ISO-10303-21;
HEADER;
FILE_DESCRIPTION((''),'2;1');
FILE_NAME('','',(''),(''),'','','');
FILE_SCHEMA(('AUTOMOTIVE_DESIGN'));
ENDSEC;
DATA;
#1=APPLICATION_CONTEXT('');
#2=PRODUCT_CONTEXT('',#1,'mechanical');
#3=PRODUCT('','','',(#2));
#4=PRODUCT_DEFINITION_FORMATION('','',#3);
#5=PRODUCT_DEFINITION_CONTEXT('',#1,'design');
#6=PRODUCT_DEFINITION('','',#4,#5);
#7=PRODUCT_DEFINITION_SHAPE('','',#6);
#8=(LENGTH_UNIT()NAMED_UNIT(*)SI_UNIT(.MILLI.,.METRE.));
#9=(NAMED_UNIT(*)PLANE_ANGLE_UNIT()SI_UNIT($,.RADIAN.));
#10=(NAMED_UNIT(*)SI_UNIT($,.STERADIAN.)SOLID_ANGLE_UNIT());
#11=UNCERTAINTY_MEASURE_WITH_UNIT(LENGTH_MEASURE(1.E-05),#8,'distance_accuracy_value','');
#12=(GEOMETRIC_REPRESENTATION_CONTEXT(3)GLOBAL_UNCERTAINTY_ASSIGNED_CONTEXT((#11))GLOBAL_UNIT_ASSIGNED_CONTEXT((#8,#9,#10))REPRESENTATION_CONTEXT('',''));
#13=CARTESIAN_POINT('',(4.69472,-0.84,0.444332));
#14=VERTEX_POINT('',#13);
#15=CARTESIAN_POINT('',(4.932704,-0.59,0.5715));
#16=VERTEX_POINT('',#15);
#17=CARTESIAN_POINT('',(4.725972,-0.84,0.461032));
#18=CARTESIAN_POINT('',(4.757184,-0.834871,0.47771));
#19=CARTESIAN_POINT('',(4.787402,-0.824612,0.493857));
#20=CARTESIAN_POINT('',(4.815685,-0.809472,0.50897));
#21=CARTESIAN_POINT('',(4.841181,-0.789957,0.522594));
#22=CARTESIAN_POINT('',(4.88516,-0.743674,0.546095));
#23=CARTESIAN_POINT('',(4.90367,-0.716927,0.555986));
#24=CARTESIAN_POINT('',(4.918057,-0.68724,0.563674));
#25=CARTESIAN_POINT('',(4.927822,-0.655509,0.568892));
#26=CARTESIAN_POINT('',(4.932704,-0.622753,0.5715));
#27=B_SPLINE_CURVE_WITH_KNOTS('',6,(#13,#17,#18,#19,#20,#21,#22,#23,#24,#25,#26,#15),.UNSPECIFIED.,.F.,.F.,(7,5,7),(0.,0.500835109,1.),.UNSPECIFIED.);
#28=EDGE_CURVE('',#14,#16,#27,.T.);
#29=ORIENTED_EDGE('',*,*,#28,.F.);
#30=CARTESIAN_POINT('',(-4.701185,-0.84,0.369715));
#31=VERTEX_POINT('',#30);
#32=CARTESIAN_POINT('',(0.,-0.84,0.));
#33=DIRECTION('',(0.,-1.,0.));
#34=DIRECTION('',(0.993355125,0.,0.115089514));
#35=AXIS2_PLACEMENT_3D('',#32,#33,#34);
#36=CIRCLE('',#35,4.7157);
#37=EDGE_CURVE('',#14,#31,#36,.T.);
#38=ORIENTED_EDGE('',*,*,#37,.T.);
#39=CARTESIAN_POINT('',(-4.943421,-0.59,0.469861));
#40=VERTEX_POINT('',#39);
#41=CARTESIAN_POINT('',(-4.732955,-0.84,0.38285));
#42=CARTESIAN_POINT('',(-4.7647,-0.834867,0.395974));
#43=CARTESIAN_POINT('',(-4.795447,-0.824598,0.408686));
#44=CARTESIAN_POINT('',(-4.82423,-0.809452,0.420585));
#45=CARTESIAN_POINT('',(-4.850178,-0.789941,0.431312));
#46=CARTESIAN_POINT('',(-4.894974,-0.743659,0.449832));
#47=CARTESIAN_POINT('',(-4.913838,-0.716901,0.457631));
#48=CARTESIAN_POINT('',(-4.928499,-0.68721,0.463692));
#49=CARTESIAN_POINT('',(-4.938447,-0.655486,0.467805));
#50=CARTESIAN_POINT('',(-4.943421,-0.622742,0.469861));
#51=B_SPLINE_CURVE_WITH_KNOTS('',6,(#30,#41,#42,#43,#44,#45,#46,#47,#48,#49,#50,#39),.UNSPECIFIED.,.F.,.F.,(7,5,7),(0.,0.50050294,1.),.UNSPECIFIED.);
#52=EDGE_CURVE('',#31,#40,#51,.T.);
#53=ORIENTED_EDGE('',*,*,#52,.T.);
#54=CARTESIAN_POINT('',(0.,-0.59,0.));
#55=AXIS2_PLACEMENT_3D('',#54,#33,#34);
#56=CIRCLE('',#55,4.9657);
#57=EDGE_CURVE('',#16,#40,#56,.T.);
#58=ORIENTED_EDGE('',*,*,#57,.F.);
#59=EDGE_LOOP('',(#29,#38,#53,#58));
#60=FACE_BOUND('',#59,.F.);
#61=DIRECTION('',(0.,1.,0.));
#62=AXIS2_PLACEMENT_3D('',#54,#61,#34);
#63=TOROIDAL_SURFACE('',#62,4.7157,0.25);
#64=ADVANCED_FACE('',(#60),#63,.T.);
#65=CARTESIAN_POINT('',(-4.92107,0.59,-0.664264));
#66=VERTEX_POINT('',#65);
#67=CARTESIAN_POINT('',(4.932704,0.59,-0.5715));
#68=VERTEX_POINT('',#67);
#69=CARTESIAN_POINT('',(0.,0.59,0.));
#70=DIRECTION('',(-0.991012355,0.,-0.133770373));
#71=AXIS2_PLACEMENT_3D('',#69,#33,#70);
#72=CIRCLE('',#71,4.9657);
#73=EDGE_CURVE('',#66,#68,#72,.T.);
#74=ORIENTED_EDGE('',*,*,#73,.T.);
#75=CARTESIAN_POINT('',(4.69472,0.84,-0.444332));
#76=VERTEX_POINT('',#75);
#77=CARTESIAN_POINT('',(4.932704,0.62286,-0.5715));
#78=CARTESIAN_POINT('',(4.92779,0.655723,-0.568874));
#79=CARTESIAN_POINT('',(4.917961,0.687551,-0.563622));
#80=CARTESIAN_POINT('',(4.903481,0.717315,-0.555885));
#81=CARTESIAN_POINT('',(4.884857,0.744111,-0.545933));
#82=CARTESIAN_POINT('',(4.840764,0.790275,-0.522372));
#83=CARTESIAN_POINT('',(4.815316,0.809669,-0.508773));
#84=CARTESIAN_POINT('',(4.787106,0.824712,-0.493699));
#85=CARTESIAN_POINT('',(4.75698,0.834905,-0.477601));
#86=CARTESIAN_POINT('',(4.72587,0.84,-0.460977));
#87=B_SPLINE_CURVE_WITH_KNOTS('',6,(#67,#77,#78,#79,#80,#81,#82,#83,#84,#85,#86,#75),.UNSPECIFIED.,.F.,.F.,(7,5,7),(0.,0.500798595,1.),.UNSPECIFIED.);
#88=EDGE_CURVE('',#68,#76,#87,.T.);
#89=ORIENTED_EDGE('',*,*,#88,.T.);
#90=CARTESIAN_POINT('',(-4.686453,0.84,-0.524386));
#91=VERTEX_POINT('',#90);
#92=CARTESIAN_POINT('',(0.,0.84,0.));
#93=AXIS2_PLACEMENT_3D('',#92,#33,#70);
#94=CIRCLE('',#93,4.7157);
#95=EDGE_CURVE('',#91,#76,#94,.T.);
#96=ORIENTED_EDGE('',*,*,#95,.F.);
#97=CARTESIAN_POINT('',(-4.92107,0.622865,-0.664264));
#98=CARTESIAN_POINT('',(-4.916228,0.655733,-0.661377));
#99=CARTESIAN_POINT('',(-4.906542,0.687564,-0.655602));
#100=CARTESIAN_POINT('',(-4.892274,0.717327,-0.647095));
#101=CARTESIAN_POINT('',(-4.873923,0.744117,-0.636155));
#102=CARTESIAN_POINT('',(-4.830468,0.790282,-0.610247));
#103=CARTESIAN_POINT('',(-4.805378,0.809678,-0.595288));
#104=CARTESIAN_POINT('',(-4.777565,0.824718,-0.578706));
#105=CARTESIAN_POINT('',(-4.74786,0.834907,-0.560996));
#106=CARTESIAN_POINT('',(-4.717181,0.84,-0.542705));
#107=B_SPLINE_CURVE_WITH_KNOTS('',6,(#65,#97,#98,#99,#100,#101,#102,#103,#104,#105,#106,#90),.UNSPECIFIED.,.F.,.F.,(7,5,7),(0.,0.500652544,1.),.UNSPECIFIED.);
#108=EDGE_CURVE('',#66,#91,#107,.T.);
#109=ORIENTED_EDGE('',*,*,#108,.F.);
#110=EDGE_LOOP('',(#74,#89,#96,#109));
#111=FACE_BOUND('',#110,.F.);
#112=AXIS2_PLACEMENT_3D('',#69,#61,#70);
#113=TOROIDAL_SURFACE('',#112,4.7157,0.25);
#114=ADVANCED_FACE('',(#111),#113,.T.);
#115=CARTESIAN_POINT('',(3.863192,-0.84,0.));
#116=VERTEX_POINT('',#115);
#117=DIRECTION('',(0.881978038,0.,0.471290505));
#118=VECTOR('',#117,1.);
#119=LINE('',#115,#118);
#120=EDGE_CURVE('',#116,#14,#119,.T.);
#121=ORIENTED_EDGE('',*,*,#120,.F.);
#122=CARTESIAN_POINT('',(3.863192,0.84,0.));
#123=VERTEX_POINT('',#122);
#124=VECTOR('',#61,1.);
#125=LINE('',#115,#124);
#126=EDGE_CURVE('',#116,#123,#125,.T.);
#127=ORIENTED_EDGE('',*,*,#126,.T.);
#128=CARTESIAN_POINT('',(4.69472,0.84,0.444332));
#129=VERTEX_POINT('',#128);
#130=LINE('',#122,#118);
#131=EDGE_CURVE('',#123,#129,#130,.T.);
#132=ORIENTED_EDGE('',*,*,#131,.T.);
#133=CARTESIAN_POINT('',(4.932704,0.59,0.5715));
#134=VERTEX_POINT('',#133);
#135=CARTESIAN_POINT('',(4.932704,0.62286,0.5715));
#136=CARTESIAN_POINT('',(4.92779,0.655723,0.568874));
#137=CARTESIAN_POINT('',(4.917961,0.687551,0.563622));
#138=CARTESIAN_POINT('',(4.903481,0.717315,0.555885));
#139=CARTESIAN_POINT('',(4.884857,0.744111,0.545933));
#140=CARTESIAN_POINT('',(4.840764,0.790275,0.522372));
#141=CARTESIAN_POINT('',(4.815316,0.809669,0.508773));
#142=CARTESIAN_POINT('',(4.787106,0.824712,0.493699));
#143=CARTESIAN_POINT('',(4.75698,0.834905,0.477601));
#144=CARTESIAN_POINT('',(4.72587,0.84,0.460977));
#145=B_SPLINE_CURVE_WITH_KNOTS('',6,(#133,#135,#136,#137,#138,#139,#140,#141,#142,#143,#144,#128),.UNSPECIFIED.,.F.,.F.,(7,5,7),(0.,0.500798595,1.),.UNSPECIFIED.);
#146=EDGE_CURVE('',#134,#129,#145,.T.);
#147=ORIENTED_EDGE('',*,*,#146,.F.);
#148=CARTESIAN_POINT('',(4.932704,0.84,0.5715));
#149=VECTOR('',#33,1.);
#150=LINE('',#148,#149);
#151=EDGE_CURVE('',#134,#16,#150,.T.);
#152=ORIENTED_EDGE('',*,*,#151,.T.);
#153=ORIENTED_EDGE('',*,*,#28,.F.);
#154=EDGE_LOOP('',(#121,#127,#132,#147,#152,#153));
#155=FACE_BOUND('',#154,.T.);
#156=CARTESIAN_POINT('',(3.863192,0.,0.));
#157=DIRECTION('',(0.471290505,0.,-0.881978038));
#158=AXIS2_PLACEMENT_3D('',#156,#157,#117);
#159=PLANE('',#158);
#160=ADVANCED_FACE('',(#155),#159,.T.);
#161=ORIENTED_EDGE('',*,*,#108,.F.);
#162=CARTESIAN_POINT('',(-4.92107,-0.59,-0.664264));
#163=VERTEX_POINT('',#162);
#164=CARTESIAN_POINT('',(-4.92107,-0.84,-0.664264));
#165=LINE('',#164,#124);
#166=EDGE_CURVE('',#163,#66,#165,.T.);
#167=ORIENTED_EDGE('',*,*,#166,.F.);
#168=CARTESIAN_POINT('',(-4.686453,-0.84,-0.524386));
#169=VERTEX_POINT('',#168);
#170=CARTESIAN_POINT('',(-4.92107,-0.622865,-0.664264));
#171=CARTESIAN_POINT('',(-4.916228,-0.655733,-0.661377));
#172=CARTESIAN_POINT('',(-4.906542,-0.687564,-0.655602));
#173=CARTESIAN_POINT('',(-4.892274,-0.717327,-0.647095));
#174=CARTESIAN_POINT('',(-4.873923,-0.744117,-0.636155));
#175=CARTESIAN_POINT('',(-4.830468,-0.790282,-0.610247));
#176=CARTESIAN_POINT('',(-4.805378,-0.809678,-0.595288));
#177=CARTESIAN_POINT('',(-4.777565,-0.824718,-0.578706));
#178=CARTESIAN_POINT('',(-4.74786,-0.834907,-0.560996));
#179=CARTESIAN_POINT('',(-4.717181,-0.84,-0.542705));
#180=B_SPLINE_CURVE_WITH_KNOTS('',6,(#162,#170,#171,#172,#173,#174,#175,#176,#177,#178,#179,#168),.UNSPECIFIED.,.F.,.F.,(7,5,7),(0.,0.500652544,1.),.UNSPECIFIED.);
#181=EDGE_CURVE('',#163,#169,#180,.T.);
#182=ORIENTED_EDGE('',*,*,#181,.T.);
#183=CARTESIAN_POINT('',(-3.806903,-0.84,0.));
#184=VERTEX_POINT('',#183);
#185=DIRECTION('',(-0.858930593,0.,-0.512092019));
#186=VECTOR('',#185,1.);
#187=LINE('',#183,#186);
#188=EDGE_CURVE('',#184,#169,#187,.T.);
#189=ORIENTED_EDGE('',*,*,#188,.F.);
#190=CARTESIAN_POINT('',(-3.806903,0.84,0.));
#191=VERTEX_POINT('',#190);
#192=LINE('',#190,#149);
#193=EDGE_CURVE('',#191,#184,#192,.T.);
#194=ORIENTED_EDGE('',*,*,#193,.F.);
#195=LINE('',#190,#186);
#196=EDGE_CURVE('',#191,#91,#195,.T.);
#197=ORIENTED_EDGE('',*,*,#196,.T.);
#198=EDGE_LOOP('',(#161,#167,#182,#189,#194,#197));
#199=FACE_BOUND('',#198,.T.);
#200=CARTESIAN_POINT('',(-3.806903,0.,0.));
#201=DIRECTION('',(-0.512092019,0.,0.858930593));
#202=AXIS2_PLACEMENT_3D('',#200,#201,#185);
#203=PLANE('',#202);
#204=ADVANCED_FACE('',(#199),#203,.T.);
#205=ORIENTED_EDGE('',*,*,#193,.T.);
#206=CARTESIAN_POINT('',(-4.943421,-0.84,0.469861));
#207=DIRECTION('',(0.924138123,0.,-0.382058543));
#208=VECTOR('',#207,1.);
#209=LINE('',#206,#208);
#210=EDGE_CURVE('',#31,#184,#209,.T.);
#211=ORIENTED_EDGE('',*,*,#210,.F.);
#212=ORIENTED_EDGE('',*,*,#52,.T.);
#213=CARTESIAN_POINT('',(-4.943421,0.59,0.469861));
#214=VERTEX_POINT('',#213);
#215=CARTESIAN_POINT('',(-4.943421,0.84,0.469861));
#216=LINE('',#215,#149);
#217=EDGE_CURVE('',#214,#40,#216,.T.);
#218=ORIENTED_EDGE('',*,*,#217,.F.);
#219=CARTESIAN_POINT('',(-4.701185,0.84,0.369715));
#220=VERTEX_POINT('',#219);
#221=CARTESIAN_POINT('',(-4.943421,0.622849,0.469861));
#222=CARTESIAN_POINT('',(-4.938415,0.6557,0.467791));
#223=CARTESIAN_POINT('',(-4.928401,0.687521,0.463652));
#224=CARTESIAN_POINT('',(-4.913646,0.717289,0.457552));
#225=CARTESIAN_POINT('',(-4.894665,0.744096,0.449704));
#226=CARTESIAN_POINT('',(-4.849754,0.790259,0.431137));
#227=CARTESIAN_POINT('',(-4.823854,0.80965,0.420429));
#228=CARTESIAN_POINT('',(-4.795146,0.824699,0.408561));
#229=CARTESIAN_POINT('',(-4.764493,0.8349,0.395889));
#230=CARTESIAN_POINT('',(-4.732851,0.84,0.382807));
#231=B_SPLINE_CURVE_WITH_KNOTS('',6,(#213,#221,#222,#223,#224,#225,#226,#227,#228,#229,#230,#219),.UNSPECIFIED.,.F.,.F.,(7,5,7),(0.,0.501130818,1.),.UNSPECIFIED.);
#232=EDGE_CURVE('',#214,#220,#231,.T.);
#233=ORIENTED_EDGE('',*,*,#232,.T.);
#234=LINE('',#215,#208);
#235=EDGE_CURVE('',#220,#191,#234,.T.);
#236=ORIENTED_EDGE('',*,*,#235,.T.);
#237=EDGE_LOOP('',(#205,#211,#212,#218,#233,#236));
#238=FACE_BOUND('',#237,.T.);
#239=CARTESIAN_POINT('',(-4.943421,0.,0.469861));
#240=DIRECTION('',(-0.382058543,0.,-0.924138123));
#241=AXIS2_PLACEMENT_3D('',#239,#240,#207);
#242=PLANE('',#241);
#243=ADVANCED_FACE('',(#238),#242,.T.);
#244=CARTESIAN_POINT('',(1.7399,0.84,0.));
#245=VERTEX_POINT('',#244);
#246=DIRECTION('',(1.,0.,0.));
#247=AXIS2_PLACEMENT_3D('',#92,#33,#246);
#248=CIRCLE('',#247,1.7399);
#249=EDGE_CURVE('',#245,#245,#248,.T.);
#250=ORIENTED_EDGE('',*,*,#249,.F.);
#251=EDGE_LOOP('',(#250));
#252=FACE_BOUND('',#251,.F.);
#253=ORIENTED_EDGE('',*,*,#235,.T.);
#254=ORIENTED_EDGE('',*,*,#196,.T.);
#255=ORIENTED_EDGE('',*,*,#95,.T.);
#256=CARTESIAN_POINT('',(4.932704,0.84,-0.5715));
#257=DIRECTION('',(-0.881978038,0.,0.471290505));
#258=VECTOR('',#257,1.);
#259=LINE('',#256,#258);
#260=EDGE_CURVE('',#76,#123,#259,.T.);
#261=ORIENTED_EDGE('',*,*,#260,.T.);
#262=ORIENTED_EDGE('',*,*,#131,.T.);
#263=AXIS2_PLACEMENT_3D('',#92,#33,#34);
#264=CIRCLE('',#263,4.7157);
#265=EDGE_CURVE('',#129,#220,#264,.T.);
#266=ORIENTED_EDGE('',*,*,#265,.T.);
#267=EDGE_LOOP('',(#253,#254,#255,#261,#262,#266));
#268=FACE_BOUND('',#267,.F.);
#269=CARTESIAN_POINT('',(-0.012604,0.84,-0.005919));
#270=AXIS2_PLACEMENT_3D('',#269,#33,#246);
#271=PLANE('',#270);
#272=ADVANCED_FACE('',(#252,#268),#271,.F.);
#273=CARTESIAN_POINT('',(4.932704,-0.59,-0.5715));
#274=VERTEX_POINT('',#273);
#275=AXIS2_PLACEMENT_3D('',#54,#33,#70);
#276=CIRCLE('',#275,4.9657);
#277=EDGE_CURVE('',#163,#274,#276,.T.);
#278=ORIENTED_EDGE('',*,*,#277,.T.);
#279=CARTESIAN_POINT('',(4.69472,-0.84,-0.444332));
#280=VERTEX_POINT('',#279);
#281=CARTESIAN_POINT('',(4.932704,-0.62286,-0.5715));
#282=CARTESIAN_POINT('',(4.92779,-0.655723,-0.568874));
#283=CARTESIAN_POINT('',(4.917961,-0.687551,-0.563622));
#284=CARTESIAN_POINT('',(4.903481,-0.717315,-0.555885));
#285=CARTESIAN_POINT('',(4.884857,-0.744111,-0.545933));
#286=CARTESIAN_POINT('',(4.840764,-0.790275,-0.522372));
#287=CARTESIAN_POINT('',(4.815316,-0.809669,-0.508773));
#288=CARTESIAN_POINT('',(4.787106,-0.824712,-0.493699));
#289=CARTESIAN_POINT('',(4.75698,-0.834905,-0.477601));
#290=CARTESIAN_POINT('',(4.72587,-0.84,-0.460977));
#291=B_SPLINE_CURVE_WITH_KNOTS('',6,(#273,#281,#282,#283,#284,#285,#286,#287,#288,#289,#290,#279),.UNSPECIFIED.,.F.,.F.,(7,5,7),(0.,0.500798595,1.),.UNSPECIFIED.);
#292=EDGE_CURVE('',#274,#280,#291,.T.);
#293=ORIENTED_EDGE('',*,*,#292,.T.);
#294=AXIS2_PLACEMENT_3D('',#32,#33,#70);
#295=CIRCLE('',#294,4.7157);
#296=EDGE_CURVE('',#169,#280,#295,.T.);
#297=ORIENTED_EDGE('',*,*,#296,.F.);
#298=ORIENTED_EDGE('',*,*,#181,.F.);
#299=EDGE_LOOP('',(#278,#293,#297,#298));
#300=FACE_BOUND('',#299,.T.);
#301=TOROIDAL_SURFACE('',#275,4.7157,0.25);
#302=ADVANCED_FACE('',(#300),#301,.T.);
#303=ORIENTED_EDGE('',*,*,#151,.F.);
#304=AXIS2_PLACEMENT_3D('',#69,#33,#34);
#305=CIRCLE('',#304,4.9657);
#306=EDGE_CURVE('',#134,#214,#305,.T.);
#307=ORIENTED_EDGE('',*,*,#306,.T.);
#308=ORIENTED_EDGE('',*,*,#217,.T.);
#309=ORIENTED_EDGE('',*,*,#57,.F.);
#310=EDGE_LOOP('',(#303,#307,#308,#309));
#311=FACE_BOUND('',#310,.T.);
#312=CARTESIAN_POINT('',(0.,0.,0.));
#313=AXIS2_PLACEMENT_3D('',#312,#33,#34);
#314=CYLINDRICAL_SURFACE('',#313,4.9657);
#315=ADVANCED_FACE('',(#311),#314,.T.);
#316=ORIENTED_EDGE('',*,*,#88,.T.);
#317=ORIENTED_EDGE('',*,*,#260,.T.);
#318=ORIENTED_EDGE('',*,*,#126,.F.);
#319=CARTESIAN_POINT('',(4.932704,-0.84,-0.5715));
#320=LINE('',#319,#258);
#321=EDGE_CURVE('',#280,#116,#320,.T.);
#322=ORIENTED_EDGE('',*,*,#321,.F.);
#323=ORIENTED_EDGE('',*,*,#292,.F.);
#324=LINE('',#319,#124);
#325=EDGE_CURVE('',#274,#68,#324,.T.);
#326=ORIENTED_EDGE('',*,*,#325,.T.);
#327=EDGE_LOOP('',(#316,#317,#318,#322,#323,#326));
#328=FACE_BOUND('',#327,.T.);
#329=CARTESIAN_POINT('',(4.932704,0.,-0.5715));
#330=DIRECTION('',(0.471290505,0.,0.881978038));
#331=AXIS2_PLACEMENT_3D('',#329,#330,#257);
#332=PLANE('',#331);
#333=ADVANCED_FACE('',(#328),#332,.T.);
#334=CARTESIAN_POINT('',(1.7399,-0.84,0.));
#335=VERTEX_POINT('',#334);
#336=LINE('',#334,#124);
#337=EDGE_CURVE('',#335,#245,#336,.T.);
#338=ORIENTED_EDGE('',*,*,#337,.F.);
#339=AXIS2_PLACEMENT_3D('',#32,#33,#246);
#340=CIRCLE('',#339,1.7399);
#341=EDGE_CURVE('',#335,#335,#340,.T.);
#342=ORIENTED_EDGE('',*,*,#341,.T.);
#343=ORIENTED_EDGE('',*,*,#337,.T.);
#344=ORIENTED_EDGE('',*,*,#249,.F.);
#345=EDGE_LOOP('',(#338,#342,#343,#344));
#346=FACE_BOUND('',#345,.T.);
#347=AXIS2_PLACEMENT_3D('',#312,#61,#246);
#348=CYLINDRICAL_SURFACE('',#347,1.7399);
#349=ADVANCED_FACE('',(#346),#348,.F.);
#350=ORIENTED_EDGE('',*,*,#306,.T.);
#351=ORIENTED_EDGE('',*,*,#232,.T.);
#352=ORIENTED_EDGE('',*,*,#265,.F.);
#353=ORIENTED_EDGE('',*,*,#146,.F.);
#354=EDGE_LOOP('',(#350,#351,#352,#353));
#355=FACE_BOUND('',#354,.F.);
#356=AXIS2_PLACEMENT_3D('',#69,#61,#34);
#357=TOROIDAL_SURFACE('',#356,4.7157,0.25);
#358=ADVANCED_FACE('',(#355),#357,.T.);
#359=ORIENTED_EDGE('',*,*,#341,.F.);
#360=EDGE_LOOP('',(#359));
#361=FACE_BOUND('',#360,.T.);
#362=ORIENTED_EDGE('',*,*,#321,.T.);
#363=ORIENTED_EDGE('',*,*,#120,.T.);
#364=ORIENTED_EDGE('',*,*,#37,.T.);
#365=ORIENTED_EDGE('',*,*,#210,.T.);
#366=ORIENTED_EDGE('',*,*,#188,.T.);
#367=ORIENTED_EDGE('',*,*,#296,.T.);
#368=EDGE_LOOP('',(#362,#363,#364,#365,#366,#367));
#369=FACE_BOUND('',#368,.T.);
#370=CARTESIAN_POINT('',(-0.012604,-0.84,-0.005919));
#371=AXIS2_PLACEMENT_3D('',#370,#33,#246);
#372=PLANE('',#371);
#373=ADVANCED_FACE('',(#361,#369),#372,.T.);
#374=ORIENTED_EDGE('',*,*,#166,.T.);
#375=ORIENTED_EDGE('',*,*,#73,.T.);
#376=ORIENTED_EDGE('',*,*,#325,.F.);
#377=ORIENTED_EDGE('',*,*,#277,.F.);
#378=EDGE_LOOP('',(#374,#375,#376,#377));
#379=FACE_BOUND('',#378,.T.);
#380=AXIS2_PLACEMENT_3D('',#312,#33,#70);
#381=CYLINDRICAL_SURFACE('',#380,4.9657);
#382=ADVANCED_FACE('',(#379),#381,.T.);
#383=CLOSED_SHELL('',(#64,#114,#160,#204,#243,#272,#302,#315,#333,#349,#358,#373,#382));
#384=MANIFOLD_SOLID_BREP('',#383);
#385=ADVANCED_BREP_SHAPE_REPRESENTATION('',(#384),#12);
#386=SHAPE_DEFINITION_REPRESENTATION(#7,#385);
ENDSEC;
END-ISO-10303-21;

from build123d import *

# Parameters (mm, degrees)
F0_R     = 1.7399
F1_DEPTH = 0.84
F2_R     = 0.25


with BuildPart() as f1:
    # F0 (on Front) → F1 (new body, symmetric)
    with BuildSketch(Plane.XZ):
        with BuildLine():
            Line((3.8631923962, 0), (4.9327035427, 0.5715))
            ThreePointArc((4.9327035427, 0.5715), (-0.0511012475, 4.9654370555), (-4.9434205941, 0.4698609583))
            Line((-4.9434205941, 0.4698609583), (-3.8069025613, 0))
            Line((-3.8069025613, 0), (-4.9210700498, -0.6642635433))
            ThreePointArc((-4.9210700498, -0.6642635433), (0.0467450883, -4.9654799755), (4.9327035427, -0.5715))
            Line((4.9327035427, -0.5715), (3.8631923962, 0))
        make_face()
        Circle(F0_R, mode=Mode.SUBTRACT)
    extrude(amount=F1_DEPTH, both=True)

    # F2
    f2_edges = [f1.edges().sort_by_distance(p)[0] for p in [
        (0.046745, -0.84, -4.96548),
        (-0.051101, -0.84, 4.965437),
        (0.046745, 0.84, -4.96548),
        (-0.051101, 0.84, 4.965437),
    ]]
    fillet(f2_edges, radius=F2_R)


solid = f1.part
